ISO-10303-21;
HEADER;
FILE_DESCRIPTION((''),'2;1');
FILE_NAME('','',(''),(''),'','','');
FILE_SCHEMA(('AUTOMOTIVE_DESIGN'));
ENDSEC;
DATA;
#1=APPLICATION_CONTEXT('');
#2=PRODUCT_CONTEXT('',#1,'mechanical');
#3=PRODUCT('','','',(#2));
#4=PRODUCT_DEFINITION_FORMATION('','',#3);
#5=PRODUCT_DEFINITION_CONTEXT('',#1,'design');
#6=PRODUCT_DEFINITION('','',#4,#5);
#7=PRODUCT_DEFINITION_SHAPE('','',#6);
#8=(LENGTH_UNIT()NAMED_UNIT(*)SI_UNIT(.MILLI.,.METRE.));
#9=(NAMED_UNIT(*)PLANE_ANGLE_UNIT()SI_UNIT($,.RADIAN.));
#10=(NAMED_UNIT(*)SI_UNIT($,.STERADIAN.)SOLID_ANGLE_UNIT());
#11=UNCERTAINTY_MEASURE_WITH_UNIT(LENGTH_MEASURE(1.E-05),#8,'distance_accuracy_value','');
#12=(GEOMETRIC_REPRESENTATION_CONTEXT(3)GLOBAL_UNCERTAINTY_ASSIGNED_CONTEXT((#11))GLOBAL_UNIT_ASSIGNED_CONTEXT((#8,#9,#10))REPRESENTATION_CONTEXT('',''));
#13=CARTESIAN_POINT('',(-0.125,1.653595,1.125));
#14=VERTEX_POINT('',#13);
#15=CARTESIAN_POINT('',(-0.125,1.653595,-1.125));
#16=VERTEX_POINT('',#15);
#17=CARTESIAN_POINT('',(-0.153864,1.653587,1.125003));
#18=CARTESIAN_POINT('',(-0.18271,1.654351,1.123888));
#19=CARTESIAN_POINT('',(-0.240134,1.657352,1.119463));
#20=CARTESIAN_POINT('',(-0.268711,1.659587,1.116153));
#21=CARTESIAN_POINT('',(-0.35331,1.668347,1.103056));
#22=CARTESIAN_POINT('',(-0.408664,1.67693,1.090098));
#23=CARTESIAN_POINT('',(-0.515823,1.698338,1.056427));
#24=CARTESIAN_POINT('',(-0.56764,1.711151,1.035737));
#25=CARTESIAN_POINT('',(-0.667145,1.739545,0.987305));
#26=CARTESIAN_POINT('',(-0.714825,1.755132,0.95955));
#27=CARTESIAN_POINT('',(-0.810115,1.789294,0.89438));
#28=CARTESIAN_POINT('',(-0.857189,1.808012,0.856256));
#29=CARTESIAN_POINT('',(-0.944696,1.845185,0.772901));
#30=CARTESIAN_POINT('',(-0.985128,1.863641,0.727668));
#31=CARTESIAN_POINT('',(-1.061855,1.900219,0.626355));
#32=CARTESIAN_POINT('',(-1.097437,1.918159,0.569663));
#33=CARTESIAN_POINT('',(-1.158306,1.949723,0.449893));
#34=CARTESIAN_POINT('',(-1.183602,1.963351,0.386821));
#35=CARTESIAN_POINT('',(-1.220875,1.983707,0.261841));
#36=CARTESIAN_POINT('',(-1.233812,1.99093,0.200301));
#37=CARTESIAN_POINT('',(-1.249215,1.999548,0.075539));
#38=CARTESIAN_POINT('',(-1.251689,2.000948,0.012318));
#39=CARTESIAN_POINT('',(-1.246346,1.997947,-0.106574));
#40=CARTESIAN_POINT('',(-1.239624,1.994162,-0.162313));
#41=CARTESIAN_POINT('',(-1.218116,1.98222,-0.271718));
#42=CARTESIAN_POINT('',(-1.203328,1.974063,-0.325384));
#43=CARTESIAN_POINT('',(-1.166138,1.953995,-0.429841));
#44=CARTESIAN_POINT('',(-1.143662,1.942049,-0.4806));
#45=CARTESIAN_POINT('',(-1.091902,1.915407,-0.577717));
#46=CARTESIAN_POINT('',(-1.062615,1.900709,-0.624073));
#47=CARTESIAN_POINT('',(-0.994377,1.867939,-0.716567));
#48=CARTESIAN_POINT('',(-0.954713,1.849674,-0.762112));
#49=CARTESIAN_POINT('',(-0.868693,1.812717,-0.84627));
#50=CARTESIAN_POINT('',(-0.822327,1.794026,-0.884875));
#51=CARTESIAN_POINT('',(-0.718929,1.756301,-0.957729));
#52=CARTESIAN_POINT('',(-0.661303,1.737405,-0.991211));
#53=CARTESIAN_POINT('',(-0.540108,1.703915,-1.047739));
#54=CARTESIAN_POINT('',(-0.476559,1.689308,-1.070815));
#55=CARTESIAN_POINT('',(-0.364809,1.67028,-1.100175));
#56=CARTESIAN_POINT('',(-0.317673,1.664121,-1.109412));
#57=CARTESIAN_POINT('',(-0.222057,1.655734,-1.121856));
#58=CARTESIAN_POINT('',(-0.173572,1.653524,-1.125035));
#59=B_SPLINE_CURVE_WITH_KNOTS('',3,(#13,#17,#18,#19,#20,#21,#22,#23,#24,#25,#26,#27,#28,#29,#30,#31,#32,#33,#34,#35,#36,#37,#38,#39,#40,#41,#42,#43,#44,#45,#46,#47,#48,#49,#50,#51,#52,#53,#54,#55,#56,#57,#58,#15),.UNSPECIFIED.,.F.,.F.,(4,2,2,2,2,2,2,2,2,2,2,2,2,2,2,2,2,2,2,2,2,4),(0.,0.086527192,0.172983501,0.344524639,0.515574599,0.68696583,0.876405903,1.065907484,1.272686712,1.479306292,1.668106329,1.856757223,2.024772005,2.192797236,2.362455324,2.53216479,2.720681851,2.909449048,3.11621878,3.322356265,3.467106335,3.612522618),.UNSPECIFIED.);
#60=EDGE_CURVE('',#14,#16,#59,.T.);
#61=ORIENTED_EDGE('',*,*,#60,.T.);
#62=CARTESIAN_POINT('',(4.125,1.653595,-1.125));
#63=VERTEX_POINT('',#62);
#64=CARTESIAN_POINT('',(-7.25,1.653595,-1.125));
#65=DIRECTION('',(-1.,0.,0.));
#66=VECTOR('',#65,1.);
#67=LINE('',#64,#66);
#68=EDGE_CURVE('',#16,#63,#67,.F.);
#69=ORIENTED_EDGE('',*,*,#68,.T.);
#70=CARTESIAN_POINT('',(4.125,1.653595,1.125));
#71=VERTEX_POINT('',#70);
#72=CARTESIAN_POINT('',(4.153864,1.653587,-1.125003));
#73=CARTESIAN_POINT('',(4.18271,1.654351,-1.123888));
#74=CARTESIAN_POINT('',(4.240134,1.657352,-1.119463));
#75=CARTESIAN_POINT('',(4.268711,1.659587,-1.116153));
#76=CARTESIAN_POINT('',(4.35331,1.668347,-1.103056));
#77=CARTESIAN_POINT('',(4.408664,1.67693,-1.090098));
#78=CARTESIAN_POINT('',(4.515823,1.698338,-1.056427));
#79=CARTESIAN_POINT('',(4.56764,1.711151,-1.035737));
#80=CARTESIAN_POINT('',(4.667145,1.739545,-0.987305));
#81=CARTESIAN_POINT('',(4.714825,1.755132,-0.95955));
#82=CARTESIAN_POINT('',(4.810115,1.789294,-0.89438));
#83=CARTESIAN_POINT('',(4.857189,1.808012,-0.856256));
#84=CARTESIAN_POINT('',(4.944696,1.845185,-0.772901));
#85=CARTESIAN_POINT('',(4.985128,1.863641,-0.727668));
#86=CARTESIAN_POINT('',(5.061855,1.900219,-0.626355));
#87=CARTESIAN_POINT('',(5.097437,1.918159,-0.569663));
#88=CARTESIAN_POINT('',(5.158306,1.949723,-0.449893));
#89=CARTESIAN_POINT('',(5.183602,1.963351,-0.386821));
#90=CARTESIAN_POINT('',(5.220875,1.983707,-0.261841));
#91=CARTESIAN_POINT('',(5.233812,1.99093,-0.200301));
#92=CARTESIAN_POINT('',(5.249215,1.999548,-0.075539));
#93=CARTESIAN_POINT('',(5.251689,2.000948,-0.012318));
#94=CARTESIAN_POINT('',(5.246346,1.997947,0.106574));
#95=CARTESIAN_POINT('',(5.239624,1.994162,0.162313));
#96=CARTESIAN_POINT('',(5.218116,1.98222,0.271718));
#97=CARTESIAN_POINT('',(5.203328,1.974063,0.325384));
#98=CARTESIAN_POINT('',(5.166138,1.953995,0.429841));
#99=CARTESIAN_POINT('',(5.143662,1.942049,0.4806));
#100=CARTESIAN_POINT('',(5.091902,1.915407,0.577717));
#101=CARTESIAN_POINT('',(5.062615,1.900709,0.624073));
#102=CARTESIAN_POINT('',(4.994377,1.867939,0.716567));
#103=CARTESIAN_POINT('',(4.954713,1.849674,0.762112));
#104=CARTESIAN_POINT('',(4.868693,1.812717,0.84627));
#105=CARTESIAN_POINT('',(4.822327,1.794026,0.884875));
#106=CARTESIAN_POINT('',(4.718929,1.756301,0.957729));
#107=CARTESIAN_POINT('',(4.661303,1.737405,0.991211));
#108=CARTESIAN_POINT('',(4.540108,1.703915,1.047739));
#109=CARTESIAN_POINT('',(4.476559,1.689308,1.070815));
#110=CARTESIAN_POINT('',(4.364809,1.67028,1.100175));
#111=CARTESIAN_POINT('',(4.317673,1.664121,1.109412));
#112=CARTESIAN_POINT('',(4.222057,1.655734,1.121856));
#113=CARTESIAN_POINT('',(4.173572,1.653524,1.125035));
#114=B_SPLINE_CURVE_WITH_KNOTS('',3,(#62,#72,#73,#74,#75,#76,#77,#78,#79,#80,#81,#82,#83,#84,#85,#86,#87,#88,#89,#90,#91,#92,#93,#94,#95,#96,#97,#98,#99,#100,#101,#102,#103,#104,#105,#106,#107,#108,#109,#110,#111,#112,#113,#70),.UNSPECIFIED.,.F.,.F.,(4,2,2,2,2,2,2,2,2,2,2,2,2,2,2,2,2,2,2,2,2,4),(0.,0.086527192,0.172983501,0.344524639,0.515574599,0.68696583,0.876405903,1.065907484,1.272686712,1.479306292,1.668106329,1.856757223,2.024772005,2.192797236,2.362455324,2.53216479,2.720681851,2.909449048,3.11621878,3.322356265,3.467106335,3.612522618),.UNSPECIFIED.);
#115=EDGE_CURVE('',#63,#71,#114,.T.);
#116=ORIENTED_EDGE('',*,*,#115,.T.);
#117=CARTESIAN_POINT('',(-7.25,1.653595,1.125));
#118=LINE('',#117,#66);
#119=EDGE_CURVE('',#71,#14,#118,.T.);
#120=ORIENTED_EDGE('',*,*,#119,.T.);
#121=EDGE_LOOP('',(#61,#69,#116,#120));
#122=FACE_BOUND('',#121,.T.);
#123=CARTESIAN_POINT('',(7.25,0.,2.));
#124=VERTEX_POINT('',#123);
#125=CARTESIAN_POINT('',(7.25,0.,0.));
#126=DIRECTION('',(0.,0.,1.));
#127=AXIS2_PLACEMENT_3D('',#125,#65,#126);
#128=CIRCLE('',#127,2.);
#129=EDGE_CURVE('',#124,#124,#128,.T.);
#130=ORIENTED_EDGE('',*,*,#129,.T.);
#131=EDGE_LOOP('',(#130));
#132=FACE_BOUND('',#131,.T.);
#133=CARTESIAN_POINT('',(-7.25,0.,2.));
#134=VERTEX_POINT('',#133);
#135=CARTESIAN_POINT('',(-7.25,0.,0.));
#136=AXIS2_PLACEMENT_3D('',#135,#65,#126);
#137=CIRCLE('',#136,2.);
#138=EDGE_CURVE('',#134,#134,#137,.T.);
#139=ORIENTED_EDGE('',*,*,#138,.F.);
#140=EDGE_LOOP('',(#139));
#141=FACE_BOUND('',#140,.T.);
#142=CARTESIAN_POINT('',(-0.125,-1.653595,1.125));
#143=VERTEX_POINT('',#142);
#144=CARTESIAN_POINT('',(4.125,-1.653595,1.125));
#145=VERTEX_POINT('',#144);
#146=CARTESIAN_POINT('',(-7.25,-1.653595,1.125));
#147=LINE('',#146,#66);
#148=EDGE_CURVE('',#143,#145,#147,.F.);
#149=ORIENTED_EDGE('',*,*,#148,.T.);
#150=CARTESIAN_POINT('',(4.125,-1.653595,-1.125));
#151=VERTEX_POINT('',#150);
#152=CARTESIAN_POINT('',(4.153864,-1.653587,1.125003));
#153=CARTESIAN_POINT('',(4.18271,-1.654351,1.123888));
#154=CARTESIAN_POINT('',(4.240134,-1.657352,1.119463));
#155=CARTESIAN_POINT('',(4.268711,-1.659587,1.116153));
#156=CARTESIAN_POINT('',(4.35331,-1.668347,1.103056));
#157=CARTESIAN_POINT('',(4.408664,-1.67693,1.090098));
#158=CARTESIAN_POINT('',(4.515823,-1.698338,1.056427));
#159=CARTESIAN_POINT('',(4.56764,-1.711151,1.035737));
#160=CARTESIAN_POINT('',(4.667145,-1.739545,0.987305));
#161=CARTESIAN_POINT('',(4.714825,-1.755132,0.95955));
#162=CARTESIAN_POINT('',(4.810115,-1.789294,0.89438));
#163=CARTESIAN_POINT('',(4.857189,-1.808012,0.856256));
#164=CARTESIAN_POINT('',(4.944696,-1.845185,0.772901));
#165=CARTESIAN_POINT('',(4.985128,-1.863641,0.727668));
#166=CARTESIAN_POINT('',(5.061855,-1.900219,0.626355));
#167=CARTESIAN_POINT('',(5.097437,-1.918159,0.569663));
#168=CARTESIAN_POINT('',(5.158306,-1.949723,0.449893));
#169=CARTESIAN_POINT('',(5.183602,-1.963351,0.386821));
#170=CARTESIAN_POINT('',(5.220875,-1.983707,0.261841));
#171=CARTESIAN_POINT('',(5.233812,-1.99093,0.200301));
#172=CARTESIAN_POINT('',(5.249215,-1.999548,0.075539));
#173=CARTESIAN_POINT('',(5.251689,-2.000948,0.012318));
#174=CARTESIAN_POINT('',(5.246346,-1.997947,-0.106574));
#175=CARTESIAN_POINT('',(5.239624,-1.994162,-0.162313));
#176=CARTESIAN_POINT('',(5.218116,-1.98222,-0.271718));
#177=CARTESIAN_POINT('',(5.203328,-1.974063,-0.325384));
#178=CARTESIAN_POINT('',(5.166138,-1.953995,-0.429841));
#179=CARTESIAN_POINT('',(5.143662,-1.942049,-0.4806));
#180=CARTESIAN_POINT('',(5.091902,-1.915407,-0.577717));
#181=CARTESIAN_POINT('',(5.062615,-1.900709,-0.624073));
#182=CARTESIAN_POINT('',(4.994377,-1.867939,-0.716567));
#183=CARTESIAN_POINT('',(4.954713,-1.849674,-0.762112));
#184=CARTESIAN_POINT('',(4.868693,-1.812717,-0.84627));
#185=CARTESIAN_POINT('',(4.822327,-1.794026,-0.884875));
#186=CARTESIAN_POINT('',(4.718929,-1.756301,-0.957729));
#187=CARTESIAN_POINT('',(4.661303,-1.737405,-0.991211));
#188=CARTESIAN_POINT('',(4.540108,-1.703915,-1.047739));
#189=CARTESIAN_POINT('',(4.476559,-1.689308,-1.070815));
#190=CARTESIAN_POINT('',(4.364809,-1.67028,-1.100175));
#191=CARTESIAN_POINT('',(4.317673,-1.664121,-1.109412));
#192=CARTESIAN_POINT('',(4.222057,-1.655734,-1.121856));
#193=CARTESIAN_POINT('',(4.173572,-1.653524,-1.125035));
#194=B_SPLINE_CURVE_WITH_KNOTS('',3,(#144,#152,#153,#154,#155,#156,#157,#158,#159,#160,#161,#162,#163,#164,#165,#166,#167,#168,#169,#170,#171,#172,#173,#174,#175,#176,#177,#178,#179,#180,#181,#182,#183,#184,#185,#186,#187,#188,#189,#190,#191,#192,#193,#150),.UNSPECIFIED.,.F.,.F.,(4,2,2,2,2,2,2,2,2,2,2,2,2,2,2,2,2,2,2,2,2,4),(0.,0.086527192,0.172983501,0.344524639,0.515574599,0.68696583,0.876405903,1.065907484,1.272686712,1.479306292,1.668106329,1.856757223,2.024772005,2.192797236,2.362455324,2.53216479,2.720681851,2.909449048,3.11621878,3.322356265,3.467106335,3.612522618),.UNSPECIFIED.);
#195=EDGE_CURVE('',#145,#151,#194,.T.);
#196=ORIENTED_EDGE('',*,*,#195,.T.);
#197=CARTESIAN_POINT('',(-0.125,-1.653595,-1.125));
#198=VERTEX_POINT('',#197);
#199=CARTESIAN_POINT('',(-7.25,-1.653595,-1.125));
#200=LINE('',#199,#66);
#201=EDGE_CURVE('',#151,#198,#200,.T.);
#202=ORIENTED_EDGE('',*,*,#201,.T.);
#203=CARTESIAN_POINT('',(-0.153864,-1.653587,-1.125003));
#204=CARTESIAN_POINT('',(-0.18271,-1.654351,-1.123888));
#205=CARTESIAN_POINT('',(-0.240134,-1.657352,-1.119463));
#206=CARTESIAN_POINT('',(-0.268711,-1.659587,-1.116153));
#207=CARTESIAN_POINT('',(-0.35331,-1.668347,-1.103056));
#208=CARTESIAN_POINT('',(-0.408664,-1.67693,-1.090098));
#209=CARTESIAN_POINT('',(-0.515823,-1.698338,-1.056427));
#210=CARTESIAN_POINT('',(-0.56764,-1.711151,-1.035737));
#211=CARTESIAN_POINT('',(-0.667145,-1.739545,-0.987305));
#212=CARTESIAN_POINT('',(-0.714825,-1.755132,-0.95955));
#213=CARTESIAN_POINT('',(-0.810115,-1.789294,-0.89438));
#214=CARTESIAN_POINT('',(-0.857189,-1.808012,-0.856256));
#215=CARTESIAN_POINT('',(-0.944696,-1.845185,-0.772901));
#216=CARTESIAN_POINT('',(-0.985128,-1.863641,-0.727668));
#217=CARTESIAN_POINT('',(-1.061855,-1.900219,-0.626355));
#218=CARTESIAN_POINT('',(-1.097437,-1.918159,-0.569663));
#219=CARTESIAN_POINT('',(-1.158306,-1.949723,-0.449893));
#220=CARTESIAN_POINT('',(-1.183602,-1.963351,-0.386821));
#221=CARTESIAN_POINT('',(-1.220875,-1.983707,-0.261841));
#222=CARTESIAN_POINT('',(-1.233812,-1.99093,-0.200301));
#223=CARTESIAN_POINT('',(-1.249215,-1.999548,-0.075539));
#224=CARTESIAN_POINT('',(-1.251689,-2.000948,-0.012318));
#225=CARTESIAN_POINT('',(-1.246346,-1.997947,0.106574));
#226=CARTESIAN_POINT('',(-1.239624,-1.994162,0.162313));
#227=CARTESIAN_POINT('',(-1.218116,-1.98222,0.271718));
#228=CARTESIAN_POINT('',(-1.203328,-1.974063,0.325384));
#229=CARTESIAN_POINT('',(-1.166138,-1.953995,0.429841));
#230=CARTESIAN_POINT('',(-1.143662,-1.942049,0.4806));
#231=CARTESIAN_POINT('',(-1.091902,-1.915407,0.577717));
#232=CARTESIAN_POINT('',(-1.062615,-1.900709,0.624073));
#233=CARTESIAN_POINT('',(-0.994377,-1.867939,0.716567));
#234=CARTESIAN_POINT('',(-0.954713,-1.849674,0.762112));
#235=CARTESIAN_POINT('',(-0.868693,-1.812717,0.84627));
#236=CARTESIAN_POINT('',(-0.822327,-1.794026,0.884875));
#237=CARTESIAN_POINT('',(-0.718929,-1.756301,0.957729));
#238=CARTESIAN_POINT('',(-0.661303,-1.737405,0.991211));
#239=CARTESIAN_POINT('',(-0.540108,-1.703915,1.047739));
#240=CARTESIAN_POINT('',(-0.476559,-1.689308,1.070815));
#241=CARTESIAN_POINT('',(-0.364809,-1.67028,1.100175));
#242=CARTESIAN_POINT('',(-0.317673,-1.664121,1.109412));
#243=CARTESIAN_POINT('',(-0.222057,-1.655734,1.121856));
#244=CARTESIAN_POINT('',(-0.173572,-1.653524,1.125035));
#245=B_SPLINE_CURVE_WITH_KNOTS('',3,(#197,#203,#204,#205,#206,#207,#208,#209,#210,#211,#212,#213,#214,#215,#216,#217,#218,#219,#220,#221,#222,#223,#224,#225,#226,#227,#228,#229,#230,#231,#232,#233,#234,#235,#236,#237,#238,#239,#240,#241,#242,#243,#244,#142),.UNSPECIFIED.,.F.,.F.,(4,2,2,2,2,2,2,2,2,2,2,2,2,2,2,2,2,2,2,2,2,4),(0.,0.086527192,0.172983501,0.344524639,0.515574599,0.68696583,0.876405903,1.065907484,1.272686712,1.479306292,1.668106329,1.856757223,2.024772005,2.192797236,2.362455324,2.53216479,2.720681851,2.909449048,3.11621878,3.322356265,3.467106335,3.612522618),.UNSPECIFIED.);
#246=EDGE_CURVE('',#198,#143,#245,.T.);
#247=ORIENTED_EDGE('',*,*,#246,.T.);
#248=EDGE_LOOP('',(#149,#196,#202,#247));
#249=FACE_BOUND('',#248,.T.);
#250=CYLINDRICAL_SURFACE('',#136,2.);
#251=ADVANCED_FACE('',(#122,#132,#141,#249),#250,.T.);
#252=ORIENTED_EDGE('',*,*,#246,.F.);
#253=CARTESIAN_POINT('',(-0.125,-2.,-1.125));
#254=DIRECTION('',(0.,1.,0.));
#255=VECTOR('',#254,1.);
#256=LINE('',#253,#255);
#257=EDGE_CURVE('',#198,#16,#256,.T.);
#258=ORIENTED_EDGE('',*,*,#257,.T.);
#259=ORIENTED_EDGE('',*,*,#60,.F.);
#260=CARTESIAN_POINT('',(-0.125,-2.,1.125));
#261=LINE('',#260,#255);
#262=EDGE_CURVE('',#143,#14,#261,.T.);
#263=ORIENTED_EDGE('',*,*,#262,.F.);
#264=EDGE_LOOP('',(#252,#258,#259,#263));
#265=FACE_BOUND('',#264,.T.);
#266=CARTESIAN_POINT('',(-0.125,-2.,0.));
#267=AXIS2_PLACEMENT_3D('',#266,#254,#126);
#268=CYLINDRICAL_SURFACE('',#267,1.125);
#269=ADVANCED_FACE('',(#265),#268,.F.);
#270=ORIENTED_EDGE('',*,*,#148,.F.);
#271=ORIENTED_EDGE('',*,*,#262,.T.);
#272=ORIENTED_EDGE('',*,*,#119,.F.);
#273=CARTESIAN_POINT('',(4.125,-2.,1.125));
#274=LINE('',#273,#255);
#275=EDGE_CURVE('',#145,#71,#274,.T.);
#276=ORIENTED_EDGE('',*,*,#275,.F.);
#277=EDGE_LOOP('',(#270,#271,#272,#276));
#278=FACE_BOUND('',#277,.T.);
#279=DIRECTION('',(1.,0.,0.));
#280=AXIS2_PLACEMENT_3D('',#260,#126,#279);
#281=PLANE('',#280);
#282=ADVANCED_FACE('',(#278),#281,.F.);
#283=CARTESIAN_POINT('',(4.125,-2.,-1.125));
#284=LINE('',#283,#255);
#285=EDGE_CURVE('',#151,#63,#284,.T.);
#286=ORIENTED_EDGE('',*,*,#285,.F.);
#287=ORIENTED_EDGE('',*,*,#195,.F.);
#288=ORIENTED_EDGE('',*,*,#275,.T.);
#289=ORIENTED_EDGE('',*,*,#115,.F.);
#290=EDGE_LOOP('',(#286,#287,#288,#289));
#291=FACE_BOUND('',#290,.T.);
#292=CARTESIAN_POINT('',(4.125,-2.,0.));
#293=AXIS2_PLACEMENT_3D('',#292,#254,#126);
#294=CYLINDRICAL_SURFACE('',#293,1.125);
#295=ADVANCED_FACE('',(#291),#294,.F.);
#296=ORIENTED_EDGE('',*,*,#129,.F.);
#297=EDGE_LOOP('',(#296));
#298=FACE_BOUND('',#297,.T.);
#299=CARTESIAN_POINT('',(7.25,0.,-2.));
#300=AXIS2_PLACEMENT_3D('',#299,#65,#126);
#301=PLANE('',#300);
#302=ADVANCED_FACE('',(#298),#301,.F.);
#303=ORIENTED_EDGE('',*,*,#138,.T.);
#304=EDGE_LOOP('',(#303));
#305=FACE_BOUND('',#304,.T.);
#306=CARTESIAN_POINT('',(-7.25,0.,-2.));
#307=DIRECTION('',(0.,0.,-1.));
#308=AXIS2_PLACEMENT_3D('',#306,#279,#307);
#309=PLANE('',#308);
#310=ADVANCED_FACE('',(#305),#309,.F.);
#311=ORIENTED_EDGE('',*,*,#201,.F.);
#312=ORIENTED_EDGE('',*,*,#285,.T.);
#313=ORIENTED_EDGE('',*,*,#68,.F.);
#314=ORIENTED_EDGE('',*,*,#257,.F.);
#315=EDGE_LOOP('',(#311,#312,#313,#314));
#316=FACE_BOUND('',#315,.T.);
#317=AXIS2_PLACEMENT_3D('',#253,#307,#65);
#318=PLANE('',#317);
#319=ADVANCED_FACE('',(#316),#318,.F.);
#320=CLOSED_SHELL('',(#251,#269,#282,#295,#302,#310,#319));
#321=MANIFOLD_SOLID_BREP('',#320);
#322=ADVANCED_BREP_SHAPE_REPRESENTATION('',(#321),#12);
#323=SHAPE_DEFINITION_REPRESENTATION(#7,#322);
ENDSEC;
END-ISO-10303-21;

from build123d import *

# Parameters (mm, degrees)
SKETCH1_W               = 14.5
SKETCH1_H               = 2
CUT_EXTRUDE1_DEPTH      = 8.782191208
CUT_EXTRUDE1_DEPTH_BACK = 8.782191208


with BuildPart() as part:
    # Sketch1 → Revolve1 (revolve)
    with BuildSketch(Plane(origin=(0, 0, 0), x_dir=(1, 0, 0), z_dir=(0, 1, 0)), mode=Mode.PRIVATE) as revolve1_sk:
        with Locations((0, 1)):
            Rectangle(SKETCH1_W, SKETCH1_H)
    revolve(revolve1_sk.sketch.rotate(Axis((-7.25, 0, 0), (1, 0, 0)), 180), axis=Axis((-7.25, 0, 0), (1, 0, 0)))

    # Sketch2 → Cut-Extrude1 (cut, two sides: drawn at the far end of the back side and taken through both)
    with BuildSketch(Plane(origin=(0, 0, 0), x_dir=(1, 0, 0), z_dir=(0, 1, 0)).offset(-CUT_EXTRUDE1_DEPTH_BACK)):
        with BuildLine():
            Line((-0.125, 1.125), (4.125, 1.125))
            ThreePointArc((4.125, 1.125), (5.25, 0), (4.125, -1.125))
            Line((4.125, -1.125), (-0.125, -1.125))
            ThreePointArc((-0.125, -1.125), (-1.25, 0), (-0.125, 1.125))
        make_face()
    extrude(amount=CUT_EXTRUDE1_DEPTH + CUT_EXTRUDE1_DEPTH_BACK, mode=Mode.SUBTRACT)


solid = part.part
